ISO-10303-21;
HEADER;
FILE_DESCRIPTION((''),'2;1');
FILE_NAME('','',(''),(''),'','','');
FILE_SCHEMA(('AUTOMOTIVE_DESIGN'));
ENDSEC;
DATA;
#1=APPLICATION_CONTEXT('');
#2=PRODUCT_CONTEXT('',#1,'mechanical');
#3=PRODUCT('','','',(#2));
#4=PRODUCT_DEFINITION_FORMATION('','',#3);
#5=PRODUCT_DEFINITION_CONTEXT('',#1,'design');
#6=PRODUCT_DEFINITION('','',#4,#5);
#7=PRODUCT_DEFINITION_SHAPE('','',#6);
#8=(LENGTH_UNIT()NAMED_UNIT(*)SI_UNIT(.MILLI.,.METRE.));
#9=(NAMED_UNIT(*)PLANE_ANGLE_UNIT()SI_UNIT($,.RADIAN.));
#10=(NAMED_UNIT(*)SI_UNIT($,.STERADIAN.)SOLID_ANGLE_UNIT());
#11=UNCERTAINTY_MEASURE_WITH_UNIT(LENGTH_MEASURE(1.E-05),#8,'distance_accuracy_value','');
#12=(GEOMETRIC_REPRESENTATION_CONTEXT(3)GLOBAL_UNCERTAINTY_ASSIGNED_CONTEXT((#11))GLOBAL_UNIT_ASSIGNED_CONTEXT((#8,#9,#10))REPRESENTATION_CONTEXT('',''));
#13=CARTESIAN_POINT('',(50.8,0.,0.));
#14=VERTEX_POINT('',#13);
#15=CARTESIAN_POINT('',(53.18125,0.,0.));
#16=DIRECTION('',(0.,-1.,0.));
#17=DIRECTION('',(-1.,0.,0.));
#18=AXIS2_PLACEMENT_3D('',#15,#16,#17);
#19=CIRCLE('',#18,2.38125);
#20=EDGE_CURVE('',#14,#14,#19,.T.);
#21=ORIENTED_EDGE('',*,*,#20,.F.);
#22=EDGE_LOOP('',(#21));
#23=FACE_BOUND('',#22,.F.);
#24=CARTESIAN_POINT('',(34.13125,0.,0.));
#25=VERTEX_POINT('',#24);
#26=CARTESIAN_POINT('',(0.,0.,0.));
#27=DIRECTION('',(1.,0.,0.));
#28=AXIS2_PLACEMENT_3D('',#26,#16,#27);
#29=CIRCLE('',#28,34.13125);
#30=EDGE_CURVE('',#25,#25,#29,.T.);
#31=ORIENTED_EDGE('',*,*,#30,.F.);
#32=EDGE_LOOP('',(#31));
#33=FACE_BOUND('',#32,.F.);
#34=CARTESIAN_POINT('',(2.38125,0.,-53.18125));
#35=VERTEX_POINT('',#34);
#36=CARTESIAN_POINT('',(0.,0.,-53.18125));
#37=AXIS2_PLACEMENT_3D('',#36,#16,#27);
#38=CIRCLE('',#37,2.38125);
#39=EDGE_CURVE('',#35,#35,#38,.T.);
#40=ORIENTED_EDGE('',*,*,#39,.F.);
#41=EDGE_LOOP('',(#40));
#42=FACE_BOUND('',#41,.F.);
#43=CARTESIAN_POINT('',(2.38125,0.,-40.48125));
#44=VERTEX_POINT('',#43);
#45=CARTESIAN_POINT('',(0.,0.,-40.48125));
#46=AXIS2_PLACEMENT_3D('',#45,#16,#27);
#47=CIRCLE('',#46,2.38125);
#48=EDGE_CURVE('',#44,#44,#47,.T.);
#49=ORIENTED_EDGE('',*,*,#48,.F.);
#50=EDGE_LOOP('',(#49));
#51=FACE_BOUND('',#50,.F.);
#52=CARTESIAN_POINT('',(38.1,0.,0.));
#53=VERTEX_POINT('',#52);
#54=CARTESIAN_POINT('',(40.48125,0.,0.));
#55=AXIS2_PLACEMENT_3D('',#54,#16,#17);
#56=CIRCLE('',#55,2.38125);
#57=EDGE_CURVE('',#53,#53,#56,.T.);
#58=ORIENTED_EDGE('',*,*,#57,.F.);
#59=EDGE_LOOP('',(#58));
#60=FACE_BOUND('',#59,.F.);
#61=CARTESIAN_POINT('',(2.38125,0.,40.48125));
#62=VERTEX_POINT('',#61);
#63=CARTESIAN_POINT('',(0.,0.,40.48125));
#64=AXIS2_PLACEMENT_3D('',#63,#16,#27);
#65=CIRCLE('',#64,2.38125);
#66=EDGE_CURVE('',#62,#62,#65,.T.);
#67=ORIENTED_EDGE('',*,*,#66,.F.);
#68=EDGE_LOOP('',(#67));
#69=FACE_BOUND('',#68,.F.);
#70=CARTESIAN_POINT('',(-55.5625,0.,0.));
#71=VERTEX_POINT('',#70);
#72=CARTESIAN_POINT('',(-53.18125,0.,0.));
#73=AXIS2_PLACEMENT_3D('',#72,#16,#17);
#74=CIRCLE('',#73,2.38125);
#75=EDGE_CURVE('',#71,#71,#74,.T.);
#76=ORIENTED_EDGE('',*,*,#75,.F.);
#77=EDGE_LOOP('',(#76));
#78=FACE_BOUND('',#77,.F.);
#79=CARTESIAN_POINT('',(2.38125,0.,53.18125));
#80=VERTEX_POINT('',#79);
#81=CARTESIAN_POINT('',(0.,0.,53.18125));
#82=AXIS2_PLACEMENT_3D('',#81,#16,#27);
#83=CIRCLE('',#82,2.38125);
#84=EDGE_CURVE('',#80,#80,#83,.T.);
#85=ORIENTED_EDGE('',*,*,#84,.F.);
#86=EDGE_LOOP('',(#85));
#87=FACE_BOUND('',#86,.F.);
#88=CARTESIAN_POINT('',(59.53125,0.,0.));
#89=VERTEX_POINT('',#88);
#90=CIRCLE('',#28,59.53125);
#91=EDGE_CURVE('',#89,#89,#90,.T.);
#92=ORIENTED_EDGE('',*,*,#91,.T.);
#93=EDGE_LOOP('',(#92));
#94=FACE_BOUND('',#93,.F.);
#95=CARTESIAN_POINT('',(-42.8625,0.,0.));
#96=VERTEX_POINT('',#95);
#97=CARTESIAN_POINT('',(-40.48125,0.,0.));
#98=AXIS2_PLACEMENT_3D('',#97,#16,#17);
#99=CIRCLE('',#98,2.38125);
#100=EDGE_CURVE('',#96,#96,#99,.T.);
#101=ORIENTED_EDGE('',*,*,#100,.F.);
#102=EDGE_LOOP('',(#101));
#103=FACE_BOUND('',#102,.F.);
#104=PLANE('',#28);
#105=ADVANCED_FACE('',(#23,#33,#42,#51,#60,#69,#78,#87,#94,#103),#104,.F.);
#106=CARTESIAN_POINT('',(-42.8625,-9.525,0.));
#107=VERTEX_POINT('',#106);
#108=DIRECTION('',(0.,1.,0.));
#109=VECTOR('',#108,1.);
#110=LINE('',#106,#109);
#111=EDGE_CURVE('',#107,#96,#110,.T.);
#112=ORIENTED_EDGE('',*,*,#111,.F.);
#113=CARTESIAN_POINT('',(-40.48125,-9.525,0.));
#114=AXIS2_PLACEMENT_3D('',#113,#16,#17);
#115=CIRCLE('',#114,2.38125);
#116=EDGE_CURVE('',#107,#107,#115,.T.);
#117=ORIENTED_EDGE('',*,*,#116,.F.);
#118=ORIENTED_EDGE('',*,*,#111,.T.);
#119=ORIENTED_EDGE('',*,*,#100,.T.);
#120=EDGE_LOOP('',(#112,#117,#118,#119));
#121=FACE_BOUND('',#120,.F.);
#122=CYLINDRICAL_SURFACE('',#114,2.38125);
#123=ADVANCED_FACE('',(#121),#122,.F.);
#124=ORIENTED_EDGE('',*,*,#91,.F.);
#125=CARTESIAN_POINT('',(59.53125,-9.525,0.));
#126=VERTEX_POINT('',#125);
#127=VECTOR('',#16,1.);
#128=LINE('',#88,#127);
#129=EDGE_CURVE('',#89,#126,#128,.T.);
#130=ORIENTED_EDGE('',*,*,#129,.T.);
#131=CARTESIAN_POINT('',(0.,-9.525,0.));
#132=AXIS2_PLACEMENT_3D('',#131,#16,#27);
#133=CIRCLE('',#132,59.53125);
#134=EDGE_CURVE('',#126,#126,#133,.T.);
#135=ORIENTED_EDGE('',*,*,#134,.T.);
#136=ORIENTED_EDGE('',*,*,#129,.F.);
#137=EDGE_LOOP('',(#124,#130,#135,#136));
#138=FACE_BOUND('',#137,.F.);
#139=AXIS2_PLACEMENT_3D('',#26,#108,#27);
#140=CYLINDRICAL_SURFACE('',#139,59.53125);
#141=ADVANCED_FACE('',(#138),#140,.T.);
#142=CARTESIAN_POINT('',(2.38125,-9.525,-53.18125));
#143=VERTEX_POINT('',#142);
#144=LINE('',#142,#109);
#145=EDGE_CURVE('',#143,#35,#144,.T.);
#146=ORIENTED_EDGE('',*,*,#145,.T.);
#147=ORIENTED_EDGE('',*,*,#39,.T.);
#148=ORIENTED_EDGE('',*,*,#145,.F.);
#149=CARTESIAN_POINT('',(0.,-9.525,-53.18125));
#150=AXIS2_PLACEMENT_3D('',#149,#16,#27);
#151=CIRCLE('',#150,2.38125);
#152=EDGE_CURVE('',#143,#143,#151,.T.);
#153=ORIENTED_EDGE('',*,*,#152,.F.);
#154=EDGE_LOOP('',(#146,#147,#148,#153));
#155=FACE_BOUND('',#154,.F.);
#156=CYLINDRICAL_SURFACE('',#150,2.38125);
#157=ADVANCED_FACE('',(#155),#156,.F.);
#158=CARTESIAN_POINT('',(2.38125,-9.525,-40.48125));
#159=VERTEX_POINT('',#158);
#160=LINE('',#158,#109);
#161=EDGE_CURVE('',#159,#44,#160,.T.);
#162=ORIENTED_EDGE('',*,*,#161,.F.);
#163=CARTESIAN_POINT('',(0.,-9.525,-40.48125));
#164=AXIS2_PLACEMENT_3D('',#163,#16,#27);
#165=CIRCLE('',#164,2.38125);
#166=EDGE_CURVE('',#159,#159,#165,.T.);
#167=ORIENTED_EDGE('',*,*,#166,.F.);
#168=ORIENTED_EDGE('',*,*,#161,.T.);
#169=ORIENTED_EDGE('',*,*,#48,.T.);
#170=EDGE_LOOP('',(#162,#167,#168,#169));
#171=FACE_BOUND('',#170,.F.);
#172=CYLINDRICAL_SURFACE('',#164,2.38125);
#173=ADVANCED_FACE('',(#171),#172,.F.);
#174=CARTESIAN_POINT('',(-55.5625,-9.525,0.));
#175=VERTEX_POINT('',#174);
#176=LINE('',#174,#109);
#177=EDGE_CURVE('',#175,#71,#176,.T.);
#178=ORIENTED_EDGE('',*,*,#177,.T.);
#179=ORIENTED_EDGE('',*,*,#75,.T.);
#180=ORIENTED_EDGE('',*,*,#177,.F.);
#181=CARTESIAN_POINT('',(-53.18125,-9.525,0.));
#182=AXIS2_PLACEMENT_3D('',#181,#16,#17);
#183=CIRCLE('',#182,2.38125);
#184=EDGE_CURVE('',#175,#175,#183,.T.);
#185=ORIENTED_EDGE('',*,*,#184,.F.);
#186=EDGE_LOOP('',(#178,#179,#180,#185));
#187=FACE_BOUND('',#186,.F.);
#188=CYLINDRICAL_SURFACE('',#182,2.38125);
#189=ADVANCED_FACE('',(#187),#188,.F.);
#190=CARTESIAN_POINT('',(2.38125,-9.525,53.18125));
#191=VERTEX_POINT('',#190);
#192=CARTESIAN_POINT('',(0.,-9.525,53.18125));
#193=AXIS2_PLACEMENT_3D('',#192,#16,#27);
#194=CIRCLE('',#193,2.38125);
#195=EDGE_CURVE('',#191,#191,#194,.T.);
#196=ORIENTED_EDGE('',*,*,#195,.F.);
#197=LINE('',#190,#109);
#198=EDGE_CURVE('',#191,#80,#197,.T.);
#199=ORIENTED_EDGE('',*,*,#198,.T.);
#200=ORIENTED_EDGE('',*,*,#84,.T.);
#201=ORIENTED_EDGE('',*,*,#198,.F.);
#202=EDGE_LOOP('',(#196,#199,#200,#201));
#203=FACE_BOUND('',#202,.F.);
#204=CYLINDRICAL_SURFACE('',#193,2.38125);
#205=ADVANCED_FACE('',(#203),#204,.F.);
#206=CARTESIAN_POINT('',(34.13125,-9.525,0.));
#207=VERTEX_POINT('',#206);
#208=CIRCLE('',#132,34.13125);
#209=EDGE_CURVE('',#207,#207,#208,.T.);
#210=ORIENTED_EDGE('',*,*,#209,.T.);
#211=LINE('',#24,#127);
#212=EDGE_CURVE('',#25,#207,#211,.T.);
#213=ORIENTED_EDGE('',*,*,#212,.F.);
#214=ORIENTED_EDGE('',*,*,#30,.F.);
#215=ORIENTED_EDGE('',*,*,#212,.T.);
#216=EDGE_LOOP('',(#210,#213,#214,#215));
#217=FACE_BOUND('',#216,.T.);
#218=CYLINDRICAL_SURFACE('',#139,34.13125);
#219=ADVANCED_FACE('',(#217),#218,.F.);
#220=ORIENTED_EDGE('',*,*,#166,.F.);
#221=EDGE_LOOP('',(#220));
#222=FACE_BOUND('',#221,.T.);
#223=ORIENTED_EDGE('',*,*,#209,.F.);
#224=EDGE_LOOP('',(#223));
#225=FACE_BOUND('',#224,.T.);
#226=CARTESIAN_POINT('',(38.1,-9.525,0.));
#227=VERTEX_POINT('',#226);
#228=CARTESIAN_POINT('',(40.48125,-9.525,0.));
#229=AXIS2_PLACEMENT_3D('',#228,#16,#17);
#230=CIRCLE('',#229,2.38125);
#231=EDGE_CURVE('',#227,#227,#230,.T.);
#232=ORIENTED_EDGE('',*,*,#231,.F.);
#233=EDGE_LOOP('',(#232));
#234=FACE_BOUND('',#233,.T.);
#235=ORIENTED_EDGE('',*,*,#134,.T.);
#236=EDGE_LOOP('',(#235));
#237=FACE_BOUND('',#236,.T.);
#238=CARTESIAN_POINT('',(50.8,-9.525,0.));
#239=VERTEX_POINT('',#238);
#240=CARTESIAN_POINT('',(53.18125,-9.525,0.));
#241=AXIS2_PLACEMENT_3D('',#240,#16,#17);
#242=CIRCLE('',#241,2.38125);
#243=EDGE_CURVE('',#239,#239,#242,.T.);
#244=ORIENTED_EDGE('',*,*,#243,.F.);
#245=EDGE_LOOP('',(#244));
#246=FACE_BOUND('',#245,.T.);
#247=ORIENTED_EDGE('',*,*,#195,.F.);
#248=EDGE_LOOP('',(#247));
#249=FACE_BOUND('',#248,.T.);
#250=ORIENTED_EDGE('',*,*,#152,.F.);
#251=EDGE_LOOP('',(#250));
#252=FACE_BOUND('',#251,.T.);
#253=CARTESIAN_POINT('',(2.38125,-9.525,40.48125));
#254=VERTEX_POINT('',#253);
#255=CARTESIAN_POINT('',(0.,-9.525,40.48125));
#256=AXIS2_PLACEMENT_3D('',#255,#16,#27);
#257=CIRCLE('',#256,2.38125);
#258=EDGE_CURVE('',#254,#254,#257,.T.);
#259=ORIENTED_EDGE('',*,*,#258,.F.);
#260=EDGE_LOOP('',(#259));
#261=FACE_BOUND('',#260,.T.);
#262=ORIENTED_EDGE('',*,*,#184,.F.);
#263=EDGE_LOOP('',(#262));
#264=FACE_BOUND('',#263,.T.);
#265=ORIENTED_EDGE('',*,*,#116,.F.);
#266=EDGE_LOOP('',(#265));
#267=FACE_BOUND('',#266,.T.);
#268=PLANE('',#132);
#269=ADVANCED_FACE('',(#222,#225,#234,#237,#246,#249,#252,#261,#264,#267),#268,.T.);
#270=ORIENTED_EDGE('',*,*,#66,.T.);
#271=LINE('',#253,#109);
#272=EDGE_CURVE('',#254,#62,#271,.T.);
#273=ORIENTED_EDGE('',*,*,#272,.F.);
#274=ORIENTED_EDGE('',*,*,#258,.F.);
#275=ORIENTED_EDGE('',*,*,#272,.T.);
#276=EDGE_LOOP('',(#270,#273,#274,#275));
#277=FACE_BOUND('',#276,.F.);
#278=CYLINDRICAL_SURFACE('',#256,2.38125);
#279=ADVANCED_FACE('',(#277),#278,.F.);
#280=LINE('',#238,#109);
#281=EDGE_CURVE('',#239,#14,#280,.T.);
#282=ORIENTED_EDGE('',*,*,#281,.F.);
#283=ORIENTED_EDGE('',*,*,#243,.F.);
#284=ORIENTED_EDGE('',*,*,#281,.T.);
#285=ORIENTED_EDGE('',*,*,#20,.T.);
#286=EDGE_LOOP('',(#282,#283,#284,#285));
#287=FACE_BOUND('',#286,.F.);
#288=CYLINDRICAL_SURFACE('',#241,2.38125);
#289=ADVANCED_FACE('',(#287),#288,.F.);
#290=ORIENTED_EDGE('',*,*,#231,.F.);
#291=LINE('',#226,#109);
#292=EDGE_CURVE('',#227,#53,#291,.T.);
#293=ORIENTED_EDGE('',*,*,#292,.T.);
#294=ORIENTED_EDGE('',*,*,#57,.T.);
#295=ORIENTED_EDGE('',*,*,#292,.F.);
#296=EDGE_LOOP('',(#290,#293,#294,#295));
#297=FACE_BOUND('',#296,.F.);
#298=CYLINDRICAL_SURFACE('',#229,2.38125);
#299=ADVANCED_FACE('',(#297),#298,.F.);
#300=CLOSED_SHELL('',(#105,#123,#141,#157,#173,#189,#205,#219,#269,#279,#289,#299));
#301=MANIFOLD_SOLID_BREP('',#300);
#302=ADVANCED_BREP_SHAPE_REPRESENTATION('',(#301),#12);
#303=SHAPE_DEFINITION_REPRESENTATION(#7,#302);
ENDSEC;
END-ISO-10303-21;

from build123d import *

# Parameters (mm, degrees)
F0_R     = 59.53125
F0_R_2   = 46.83125
F0_R_3   = 34.13125
F1_DEPTH = 9.525
F3_DEPTH = 25.4


with BuildPart() as f1:
    # F0 (on Front) → F1 (new body)
    with BuildSketch(Plane.XZ):
        Circle(F0_R)
        Circle(F0_R_2, mode=Mode.SUBTRACT)
        Circle(F0_R_2)
        Circle(F0_R_3, mode=Mode.SUBTRACT)
    extrude(amount=F1_DEPTH)

    # F2 (on face) → F3 (cut)
    with BuildSketch(Plane.XZ.offset(9.525)):
        with BuildLine():
            Line((38.1, 0), (42.8625, 0))
            ThreePointArc((42.8625, 0), (40.48125, 2.38125), (38.1, 0))
        make_face()
        with BuildLine():
            ThreePointArc((38.1, 0), (40.48125, -2.38125), (42.8625, 0))
            Line((42.8625, 0), (38.1, 0))
        make_face()
        with BuildLine():
            ThreePointArc((55.5625, 0), (53.18125, 2.38125), (50.8, 0))
            Line((50.8, 0), (55.5625, 0))
        make_face()
        with BuildLine():
            Line((55.5625, 0), (50.8, 0))
            ThreePointArc((50.8, 0), (53.18125, -2.38125), (55.5625, 0))
        make_face()
        with BuildLine():
            ThreePointArc((0, -38.1), (-2.38125, -40.48125), (0, -42.8625))
            Line((0, -42.8625), (0, -38.1))
        make_face()
        with BuildLine():
            Line((0, -38.1), (0, -42.8625))
            ThreePointArc((0, -42.8625), (1.6837980227, -42.1650480227), (2.38125, -40.48125))
            ThreePointArc((2.38125, -40.48125), (1.6837980227, -38.7974519773), (0, -38.1))
        make_face()
        with BuildLine():
            Line((0, -55.5625), (0, -50.8))
            ThreePointArc((0, -50.8), (-2.38125, -53.18125), (0, -55.5625))
        make_face()
        with BuildLine():
            ThreePointArc((2.38125, -53.18125), (1.6837980227, -51.4974519773), (0, -50.8))
            Line((0, -50.8), (0, -55.5625))
            ThreePointArc((0, -55.5625), (1.6837980227, -54.8650480227), (2.38125, -53.18125))
        make_face()
        with BuildLine():
            ThreePointArc((-38.1, 0), (-40.48125, 2.38125), (-42.8625, 0))
            Line((-42.8625, 0), (-38.1, 0))
        make_face()
        with BuildLine():
            Line((-38.1, 0), (-42.8625, 0))
            ThreePointArc((-42.8625, 0), (-40.48125, -2.38125), (-38.1, 0))
        make_face()
        with BuildLine():
            Line((-55.5625, 0), (-50.8, 0))
            ThreePointArc((-50.8, 0), (-53.18125, 2.38125), (-55.5625, 0))
        make_face()
        with BuildLine():
            ThreePointArc((-55.5625, 0), (-53.18125, -2.38125), (-50.8, 0))
            Line((-50.8, 0), (-55.5625, 0))
        make_face()
        with BuildLine():
            ThreePointArc((0, 55.5625), (-2.38125, 53.18125), (0, 50.8))
            Line((0, 50.8), (0, 55.5625))
        make_face()
        with BuildLine():
            Line((0, 55.5625), (0, 50.8))
            ThreePointArc((0, 50.8), (1.6837980227, 51.4974519773), (2.38125, 53.18125))
            ThreePointArc((2.38125, 53.18125), (1.6837980227, 54.8650480227), (0, 55.5625))
        make_face()
        with BuildLine():
            ThreePointArc((2.38125, 40.48125), (1.6837980227, 42.1650480227), (0, 42.8625))
            Line((0, 42.8625), (0, 38.1))
            ThreePointArc((0, 38.1), (1.6837980227, 38.7974519773), (2.38125, 40.48125))
        make_face()
        with BuildLine():
            Line((0, 38.1), (0, 42.8625))
            ThreePointArc((0, 42.8625), (-2.38125, 40.48125), (0, 38.1))
        make_face()
    extrude(amount=-F3_DEPTH, mode=Mode.SUBTRACT)


solid = f1.part
